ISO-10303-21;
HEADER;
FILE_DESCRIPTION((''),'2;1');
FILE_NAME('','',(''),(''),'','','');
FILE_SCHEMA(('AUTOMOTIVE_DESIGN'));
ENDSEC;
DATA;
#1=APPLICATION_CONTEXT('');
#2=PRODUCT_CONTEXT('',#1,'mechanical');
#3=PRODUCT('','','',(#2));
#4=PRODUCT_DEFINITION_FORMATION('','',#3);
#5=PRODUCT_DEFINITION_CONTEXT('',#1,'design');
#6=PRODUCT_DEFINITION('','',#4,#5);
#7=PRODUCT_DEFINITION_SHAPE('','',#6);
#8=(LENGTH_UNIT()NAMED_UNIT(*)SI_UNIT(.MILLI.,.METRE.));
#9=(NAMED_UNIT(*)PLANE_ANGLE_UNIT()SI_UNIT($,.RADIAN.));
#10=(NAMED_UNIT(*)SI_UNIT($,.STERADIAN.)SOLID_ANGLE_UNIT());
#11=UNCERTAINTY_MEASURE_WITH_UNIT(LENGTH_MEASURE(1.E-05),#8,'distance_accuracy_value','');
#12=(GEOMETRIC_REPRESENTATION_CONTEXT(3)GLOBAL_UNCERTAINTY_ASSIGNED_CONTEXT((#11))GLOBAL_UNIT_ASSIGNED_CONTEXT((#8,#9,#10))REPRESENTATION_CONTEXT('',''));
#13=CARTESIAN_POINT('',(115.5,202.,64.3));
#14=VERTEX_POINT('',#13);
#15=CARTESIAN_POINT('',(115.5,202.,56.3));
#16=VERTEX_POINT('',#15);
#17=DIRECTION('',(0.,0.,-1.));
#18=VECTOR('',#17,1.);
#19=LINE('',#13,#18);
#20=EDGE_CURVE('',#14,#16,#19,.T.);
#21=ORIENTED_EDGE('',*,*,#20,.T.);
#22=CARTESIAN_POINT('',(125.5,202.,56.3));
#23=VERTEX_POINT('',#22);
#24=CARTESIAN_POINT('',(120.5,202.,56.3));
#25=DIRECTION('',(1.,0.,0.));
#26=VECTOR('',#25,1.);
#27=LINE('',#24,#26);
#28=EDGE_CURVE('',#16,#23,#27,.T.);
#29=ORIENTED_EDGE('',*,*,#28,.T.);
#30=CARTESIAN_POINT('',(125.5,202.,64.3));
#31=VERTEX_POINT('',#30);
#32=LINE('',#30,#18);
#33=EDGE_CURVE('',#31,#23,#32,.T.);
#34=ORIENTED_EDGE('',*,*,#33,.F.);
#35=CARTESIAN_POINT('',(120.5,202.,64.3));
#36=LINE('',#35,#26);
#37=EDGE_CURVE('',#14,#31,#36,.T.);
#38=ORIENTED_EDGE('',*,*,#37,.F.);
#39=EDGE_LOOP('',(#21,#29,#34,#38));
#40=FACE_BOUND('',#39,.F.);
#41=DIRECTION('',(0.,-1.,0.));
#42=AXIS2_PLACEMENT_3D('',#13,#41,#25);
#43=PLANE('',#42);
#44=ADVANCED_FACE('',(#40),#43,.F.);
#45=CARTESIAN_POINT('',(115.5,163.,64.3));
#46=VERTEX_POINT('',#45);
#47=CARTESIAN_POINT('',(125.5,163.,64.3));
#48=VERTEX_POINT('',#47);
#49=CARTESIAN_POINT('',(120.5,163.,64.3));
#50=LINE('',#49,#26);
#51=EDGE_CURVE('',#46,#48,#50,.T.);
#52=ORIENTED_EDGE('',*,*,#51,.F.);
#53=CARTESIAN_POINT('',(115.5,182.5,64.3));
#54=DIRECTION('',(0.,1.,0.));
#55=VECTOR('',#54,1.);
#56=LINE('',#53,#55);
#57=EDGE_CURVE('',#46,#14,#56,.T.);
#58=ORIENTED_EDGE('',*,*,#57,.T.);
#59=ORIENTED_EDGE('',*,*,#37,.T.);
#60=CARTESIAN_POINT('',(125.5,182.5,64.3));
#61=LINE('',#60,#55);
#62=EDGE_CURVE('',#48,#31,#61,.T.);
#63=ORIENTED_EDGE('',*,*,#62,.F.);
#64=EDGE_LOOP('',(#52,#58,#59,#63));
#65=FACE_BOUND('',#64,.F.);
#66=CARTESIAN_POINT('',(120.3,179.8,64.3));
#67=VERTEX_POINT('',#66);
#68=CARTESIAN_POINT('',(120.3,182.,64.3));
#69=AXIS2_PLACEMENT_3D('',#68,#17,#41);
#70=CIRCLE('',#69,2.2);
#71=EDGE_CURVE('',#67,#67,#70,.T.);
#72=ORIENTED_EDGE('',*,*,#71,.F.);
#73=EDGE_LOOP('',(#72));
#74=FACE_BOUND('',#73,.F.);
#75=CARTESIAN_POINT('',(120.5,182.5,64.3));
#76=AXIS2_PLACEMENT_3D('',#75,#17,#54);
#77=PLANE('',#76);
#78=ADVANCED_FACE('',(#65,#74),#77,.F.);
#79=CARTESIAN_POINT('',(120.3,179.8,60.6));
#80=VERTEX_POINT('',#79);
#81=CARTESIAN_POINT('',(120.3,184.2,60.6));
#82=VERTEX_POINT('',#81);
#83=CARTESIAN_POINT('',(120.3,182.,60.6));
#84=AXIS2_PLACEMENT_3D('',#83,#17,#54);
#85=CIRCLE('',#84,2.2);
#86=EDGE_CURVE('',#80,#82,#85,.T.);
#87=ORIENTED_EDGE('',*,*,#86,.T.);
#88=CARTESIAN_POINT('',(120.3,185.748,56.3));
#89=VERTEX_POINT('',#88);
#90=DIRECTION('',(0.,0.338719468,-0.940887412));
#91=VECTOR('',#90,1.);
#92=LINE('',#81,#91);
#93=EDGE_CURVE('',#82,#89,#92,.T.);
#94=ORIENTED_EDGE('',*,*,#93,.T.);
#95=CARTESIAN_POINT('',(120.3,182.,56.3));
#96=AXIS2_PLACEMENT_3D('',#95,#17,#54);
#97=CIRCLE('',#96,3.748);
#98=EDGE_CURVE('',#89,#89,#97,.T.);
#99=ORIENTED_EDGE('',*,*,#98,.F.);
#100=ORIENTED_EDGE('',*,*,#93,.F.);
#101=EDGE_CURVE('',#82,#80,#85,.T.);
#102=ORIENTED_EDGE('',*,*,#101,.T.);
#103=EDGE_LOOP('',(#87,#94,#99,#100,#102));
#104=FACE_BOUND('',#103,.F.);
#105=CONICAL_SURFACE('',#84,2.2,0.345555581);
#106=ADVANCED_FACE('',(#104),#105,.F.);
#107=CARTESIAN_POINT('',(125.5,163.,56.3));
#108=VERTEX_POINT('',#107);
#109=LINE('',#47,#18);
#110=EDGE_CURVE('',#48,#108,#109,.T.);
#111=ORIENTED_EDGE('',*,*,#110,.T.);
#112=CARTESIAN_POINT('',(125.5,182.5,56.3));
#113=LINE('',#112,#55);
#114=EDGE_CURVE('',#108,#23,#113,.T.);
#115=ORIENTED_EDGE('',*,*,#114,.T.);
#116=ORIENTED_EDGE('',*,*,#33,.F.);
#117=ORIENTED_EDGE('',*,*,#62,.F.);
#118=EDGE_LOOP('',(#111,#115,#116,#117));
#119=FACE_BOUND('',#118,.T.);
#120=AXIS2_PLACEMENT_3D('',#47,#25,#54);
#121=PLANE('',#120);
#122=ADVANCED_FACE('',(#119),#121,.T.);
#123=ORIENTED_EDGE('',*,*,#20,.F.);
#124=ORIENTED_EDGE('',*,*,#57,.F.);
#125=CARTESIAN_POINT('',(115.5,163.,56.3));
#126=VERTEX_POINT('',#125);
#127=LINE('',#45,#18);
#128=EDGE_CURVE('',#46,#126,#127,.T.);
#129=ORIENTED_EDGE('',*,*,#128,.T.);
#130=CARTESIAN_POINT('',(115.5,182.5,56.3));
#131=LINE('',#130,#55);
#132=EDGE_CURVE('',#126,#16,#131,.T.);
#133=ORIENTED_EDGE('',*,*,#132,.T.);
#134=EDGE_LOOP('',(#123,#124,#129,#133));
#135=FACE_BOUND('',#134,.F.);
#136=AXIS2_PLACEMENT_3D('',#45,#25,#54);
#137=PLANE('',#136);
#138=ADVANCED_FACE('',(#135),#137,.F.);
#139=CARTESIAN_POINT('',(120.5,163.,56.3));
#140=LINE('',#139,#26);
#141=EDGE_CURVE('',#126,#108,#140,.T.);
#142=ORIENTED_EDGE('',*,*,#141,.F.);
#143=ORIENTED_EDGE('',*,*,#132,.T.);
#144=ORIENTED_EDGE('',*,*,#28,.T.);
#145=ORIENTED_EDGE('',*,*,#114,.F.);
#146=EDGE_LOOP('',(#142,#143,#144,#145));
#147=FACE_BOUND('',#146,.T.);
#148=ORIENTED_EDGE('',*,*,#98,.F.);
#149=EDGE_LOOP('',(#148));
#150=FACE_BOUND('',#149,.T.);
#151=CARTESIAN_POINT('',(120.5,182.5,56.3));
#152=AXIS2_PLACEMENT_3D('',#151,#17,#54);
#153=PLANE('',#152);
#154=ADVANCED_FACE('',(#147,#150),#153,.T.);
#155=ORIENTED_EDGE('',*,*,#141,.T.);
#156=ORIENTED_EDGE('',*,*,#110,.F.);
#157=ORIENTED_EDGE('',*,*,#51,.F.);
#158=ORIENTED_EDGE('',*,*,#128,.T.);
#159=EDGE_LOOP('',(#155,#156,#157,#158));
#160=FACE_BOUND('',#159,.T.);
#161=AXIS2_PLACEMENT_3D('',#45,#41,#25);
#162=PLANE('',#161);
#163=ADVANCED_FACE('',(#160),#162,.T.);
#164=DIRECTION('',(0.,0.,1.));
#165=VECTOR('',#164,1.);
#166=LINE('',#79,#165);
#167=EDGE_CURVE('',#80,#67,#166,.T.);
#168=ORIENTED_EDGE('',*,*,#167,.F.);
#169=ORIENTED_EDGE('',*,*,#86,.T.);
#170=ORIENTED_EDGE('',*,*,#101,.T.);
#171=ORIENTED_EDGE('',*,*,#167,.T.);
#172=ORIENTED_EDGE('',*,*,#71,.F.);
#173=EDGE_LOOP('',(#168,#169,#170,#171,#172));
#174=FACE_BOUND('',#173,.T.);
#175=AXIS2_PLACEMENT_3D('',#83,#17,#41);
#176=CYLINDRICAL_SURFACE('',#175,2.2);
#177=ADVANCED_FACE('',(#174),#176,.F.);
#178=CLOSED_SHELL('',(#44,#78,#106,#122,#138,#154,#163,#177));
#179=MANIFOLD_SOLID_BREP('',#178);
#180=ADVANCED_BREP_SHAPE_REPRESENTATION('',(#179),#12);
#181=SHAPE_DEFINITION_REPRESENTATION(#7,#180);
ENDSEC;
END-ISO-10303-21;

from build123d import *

# Parameters (mm, degrees)
CYLINDER156_R             = 2.2
CYLINDER156_DEPTH         = 50
FUSION076_PLACEMENT_ANGLE = 90
BOX068_W                  = 39
BOX068_H                  = 10
BOX068_DEPTH              = 8
CUT144_ROLL_ANGLE         = 180
CUT144_PLACEMENT_ANGLE    = 90


with BuildPart() as cylinder156:
    # Cylinder156 → Cylinder156 (new body)
    with BuildSketch(Plane(origin=(-24, 26, -8), x_dir=(0, 0, -1), z_dir=(1, 0, 0))):
        Circle(CYLINDER156_R)
    extrude(amount=CYLINDER156_DEPTH)


with BuildPart() as fusion076:
    # Cone018 → Cone018 (revolve)
    with BuildSketch(Plane(origin=(-24, 26, -8), x_dir=(0, 0, 1), z_dir=(0, -1, 0))):
        Polygon((0, 0), (2.2, 0), (4, 5), (0, 5), align=None)
    revolve(axis=Axis((-24, 26, -8), (-1, 0, 0)))

    # Fusion076: union Cylinder156
    add(cylinder156.part)


with BuildPart() as fusion076_1:
    # Fusion076 placement: moved
    add(fusion076.part.moved(Location((111.8, -1.7, 18.4))).rotate(Axis((111.8, -1.7, 18.4), (0, 1, 0)), FUSION076_PLACEMENT_ANGLE))


with BuildPart() as cut144:
    # Box068 → Box068 (new body)
    with BuildSketch(Plane(origin=(84.8, 19.5, 38.7), x_dir=(1, 0, 0), z_dir=(0, 0, 1))):
        with Locations((19.5, 5)):
            Rectangle(BOX068_W, BOX068_H)
    extrude(amount=BOX068_DEPTH)

    # Cut144: cut Fusion076
    add(fusion076_1.part, mode=Mode.SUBTRACT)


with BuildPart() as cut144_1:
    # Cut144 roll: moved
    add(cut144.part.rotate(Axis((0, 0, 0), (1, 0, 0)), CUT144_ROLL_ANGLE))


with BuildPart() as cut144_2:
    # Cut144 placement: moved
    add(cut144_1.part.moved(Location((96, 78.2, 103))).rotate(Axis((96, 78.2, 103), (0, 0, 1)), CUT144_PLACEMENT_ANGLE))


solid = cut144_2.part
